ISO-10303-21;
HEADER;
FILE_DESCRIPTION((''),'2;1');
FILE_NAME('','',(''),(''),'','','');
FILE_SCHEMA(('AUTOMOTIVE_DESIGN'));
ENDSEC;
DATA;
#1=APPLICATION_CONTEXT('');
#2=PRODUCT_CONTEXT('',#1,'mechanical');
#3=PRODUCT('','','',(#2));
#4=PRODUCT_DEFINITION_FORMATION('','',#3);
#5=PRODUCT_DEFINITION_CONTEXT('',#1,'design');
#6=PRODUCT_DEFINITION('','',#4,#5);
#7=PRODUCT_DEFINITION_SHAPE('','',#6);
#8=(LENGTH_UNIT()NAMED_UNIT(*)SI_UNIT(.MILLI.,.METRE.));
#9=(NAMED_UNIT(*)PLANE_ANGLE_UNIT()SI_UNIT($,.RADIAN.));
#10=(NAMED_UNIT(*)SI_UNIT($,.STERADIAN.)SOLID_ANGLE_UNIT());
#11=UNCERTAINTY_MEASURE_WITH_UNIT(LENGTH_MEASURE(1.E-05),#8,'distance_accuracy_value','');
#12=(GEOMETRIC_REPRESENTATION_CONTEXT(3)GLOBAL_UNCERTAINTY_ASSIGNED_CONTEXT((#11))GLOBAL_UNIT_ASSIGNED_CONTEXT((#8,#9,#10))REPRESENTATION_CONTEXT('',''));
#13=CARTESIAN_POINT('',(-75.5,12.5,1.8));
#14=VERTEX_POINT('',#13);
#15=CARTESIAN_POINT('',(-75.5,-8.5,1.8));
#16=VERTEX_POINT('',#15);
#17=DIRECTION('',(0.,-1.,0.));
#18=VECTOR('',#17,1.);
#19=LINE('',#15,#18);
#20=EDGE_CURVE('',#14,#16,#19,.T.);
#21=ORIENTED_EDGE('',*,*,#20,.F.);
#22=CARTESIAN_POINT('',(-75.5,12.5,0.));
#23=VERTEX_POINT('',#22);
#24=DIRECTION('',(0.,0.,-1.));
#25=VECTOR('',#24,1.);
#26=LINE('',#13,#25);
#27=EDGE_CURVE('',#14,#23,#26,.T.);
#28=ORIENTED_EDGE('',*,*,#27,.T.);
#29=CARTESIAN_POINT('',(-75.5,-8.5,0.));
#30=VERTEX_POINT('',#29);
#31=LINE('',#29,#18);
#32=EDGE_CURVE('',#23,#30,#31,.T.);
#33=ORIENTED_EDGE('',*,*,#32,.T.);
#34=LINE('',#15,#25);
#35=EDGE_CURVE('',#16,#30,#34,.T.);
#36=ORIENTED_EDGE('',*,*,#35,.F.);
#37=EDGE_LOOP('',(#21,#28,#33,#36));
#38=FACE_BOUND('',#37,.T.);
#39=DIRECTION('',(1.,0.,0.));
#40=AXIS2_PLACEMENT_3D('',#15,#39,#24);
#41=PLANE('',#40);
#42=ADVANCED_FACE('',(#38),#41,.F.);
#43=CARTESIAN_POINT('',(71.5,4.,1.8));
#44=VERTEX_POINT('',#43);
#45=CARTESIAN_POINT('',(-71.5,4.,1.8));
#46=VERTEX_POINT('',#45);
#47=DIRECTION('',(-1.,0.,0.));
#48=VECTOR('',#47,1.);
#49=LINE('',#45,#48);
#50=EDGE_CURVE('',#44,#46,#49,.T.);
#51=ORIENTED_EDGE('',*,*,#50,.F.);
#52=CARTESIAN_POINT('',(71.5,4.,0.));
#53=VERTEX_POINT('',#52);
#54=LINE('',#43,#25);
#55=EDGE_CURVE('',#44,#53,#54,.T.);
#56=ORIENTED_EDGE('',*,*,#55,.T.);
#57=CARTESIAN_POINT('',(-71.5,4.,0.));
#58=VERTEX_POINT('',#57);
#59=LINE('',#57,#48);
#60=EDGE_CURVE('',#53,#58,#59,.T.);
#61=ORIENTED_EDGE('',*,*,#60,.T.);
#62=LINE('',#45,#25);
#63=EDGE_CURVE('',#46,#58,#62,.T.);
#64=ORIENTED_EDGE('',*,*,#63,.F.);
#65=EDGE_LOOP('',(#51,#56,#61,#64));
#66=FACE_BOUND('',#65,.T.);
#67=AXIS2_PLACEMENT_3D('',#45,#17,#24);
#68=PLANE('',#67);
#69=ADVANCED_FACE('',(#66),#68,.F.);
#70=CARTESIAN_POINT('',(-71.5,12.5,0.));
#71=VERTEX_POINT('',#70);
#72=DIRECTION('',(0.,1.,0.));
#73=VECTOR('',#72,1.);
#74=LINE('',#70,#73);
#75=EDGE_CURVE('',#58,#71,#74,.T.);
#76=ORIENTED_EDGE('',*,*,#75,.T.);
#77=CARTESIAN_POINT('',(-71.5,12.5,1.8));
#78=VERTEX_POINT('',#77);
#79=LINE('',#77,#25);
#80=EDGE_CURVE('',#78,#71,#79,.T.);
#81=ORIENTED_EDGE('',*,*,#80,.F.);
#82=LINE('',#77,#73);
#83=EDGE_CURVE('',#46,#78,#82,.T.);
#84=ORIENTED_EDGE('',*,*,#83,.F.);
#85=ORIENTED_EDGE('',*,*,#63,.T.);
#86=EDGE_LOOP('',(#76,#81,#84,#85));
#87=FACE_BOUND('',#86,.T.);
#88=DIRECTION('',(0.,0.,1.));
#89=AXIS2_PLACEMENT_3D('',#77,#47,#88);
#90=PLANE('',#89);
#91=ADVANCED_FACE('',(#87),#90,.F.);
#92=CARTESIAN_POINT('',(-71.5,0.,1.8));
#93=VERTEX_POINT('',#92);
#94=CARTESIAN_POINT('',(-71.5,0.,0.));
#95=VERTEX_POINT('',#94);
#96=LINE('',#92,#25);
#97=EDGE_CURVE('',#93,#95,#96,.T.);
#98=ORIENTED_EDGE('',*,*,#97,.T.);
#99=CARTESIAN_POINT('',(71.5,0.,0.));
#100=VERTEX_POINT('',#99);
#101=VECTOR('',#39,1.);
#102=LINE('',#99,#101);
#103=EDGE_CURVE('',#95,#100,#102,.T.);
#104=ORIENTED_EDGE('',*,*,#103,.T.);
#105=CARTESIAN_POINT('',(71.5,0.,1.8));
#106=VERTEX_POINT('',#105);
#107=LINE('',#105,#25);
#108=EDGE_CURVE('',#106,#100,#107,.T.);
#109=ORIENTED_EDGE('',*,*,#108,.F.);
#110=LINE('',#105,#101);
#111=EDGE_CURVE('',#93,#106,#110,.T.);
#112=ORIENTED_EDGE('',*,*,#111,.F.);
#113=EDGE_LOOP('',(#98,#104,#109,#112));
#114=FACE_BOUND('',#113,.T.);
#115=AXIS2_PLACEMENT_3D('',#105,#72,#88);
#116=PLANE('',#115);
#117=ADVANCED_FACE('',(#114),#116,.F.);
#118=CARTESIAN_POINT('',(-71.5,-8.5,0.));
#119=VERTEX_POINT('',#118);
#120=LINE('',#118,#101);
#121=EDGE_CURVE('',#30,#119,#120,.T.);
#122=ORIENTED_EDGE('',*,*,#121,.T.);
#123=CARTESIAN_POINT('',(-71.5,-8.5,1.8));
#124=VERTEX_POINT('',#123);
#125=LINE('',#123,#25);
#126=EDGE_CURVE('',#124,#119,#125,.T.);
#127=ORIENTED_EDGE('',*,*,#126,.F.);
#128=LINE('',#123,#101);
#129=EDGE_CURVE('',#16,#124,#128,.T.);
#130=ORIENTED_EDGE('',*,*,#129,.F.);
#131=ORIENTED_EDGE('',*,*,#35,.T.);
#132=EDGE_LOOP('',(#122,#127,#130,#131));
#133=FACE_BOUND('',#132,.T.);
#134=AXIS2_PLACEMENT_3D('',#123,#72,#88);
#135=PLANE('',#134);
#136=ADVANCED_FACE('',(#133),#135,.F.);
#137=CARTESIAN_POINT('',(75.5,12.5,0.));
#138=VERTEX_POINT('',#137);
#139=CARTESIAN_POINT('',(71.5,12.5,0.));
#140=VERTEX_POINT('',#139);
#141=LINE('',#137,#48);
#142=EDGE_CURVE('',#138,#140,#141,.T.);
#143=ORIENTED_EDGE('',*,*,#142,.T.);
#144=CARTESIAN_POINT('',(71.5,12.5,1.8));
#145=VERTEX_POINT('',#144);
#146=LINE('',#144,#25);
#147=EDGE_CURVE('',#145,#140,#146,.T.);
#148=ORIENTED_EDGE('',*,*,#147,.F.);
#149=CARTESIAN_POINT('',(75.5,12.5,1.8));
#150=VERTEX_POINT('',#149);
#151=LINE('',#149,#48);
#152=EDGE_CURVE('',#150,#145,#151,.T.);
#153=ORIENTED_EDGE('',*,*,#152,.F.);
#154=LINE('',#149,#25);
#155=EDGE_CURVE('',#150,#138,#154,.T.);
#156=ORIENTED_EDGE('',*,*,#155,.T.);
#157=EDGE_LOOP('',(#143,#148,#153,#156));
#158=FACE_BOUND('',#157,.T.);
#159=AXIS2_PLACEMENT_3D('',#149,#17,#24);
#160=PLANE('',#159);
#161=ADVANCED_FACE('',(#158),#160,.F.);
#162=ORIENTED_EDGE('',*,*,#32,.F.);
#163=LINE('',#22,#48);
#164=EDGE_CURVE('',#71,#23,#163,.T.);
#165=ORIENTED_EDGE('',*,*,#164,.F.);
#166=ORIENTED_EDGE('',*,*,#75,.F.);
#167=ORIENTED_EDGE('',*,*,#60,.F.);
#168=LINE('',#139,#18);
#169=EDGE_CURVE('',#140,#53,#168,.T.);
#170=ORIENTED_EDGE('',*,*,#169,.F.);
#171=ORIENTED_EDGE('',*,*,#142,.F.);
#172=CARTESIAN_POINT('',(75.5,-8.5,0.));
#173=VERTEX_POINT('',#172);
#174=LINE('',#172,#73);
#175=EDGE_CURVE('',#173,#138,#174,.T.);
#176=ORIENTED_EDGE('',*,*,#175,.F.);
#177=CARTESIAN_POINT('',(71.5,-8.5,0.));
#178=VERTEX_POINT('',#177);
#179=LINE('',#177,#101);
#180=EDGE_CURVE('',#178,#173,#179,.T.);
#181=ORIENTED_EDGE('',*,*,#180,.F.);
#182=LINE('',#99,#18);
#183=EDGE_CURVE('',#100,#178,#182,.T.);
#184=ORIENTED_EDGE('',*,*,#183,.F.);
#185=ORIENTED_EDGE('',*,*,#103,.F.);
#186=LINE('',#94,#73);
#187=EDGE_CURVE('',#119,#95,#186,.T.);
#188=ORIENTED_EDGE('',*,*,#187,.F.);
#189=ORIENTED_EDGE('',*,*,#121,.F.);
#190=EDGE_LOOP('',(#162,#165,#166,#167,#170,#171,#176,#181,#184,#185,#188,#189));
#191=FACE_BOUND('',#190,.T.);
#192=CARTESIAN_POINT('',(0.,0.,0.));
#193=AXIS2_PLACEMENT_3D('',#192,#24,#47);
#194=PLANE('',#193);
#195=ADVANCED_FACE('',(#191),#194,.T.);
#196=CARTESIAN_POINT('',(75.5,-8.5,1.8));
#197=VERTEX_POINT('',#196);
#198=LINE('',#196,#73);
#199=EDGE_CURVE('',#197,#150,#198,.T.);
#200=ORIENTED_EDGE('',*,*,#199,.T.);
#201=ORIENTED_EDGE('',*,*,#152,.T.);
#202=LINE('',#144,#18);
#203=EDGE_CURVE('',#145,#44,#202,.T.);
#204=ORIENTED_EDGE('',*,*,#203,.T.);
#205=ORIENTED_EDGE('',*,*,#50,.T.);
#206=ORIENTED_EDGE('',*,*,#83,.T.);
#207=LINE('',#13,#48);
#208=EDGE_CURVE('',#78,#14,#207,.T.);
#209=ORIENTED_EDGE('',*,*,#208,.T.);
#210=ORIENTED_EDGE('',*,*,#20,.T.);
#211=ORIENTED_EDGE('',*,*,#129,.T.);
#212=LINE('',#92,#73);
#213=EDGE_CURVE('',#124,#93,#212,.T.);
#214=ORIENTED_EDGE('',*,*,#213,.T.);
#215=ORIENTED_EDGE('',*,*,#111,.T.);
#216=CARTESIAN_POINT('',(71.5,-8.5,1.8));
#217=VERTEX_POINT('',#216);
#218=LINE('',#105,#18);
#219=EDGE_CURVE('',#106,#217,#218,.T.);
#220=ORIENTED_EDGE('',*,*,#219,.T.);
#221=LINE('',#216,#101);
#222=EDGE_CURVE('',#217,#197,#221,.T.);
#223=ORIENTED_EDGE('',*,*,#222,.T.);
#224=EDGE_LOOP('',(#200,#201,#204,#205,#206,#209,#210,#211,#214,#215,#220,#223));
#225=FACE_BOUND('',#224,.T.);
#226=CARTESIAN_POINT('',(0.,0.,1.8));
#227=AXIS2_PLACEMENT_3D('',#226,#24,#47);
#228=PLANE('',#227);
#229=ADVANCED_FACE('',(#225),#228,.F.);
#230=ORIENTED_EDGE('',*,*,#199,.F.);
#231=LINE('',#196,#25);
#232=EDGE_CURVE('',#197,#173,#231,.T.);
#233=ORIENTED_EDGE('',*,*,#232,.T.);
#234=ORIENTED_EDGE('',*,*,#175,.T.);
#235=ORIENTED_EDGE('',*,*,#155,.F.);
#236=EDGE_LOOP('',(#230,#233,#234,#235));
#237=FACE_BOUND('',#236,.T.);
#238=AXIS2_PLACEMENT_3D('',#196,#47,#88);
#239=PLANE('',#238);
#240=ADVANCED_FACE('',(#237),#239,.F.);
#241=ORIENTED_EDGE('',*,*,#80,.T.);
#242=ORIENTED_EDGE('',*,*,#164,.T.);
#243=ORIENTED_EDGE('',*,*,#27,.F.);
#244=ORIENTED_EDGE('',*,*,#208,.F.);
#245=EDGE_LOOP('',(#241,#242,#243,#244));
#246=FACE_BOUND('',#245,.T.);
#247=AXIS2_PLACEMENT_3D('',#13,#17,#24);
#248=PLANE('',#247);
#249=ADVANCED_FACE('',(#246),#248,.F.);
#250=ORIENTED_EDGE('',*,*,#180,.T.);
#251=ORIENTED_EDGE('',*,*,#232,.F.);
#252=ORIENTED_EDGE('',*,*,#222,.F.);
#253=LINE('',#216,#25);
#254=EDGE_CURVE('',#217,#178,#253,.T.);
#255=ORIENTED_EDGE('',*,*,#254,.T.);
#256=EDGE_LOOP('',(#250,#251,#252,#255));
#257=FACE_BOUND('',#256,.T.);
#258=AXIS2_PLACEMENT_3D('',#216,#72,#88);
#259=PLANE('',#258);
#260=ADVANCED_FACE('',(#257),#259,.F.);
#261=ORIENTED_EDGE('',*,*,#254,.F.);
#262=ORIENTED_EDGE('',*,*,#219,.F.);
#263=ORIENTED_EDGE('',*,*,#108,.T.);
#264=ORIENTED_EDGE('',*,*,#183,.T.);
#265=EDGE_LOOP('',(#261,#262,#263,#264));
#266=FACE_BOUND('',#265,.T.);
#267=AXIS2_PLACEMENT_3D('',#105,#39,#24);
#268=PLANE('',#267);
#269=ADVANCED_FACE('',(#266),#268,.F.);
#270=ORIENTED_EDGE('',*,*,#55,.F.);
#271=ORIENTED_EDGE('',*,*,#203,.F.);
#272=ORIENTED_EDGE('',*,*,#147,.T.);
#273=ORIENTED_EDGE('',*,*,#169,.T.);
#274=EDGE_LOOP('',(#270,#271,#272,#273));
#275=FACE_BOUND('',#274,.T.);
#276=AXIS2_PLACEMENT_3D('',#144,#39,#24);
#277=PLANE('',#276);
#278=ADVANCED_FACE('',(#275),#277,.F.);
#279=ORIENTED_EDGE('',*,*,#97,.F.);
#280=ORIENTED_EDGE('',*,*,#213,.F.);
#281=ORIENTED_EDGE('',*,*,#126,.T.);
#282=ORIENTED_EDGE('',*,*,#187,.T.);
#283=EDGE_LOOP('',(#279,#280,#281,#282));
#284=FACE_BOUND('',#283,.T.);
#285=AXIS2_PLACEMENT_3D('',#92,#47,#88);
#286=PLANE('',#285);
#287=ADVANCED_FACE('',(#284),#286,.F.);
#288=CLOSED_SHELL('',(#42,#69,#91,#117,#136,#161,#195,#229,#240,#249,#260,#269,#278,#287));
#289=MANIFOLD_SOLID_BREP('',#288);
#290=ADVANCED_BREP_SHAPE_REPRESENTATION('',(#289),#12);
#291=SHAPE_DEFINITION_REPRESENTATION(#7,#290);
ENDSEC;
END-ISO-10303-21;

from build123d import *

# Parameters (mm, degrees)
SALIENTE_EXTRUIR1_DEPTH = 1.8


with BuildPart() as part:
    # Croquis1 → Saliente-Extruir1 (new body)
    with BuildSketch(Plane.XY):
        Polygon((71.5, 0), (-71.5, 0), (-71.5, -8.5), (-75.5, -8.5), (-75.5, 12.5), (-71.5, 12.5), (-71.5, 4), (71.5, 4), (71.5, 12.5), (75.5, 12.5), (75.5, -8.5), (71.5, -8.5), align=None)
    extrude(amount=SALIENTE_EXTRUIR1_DEPTH)


solid = part.part
